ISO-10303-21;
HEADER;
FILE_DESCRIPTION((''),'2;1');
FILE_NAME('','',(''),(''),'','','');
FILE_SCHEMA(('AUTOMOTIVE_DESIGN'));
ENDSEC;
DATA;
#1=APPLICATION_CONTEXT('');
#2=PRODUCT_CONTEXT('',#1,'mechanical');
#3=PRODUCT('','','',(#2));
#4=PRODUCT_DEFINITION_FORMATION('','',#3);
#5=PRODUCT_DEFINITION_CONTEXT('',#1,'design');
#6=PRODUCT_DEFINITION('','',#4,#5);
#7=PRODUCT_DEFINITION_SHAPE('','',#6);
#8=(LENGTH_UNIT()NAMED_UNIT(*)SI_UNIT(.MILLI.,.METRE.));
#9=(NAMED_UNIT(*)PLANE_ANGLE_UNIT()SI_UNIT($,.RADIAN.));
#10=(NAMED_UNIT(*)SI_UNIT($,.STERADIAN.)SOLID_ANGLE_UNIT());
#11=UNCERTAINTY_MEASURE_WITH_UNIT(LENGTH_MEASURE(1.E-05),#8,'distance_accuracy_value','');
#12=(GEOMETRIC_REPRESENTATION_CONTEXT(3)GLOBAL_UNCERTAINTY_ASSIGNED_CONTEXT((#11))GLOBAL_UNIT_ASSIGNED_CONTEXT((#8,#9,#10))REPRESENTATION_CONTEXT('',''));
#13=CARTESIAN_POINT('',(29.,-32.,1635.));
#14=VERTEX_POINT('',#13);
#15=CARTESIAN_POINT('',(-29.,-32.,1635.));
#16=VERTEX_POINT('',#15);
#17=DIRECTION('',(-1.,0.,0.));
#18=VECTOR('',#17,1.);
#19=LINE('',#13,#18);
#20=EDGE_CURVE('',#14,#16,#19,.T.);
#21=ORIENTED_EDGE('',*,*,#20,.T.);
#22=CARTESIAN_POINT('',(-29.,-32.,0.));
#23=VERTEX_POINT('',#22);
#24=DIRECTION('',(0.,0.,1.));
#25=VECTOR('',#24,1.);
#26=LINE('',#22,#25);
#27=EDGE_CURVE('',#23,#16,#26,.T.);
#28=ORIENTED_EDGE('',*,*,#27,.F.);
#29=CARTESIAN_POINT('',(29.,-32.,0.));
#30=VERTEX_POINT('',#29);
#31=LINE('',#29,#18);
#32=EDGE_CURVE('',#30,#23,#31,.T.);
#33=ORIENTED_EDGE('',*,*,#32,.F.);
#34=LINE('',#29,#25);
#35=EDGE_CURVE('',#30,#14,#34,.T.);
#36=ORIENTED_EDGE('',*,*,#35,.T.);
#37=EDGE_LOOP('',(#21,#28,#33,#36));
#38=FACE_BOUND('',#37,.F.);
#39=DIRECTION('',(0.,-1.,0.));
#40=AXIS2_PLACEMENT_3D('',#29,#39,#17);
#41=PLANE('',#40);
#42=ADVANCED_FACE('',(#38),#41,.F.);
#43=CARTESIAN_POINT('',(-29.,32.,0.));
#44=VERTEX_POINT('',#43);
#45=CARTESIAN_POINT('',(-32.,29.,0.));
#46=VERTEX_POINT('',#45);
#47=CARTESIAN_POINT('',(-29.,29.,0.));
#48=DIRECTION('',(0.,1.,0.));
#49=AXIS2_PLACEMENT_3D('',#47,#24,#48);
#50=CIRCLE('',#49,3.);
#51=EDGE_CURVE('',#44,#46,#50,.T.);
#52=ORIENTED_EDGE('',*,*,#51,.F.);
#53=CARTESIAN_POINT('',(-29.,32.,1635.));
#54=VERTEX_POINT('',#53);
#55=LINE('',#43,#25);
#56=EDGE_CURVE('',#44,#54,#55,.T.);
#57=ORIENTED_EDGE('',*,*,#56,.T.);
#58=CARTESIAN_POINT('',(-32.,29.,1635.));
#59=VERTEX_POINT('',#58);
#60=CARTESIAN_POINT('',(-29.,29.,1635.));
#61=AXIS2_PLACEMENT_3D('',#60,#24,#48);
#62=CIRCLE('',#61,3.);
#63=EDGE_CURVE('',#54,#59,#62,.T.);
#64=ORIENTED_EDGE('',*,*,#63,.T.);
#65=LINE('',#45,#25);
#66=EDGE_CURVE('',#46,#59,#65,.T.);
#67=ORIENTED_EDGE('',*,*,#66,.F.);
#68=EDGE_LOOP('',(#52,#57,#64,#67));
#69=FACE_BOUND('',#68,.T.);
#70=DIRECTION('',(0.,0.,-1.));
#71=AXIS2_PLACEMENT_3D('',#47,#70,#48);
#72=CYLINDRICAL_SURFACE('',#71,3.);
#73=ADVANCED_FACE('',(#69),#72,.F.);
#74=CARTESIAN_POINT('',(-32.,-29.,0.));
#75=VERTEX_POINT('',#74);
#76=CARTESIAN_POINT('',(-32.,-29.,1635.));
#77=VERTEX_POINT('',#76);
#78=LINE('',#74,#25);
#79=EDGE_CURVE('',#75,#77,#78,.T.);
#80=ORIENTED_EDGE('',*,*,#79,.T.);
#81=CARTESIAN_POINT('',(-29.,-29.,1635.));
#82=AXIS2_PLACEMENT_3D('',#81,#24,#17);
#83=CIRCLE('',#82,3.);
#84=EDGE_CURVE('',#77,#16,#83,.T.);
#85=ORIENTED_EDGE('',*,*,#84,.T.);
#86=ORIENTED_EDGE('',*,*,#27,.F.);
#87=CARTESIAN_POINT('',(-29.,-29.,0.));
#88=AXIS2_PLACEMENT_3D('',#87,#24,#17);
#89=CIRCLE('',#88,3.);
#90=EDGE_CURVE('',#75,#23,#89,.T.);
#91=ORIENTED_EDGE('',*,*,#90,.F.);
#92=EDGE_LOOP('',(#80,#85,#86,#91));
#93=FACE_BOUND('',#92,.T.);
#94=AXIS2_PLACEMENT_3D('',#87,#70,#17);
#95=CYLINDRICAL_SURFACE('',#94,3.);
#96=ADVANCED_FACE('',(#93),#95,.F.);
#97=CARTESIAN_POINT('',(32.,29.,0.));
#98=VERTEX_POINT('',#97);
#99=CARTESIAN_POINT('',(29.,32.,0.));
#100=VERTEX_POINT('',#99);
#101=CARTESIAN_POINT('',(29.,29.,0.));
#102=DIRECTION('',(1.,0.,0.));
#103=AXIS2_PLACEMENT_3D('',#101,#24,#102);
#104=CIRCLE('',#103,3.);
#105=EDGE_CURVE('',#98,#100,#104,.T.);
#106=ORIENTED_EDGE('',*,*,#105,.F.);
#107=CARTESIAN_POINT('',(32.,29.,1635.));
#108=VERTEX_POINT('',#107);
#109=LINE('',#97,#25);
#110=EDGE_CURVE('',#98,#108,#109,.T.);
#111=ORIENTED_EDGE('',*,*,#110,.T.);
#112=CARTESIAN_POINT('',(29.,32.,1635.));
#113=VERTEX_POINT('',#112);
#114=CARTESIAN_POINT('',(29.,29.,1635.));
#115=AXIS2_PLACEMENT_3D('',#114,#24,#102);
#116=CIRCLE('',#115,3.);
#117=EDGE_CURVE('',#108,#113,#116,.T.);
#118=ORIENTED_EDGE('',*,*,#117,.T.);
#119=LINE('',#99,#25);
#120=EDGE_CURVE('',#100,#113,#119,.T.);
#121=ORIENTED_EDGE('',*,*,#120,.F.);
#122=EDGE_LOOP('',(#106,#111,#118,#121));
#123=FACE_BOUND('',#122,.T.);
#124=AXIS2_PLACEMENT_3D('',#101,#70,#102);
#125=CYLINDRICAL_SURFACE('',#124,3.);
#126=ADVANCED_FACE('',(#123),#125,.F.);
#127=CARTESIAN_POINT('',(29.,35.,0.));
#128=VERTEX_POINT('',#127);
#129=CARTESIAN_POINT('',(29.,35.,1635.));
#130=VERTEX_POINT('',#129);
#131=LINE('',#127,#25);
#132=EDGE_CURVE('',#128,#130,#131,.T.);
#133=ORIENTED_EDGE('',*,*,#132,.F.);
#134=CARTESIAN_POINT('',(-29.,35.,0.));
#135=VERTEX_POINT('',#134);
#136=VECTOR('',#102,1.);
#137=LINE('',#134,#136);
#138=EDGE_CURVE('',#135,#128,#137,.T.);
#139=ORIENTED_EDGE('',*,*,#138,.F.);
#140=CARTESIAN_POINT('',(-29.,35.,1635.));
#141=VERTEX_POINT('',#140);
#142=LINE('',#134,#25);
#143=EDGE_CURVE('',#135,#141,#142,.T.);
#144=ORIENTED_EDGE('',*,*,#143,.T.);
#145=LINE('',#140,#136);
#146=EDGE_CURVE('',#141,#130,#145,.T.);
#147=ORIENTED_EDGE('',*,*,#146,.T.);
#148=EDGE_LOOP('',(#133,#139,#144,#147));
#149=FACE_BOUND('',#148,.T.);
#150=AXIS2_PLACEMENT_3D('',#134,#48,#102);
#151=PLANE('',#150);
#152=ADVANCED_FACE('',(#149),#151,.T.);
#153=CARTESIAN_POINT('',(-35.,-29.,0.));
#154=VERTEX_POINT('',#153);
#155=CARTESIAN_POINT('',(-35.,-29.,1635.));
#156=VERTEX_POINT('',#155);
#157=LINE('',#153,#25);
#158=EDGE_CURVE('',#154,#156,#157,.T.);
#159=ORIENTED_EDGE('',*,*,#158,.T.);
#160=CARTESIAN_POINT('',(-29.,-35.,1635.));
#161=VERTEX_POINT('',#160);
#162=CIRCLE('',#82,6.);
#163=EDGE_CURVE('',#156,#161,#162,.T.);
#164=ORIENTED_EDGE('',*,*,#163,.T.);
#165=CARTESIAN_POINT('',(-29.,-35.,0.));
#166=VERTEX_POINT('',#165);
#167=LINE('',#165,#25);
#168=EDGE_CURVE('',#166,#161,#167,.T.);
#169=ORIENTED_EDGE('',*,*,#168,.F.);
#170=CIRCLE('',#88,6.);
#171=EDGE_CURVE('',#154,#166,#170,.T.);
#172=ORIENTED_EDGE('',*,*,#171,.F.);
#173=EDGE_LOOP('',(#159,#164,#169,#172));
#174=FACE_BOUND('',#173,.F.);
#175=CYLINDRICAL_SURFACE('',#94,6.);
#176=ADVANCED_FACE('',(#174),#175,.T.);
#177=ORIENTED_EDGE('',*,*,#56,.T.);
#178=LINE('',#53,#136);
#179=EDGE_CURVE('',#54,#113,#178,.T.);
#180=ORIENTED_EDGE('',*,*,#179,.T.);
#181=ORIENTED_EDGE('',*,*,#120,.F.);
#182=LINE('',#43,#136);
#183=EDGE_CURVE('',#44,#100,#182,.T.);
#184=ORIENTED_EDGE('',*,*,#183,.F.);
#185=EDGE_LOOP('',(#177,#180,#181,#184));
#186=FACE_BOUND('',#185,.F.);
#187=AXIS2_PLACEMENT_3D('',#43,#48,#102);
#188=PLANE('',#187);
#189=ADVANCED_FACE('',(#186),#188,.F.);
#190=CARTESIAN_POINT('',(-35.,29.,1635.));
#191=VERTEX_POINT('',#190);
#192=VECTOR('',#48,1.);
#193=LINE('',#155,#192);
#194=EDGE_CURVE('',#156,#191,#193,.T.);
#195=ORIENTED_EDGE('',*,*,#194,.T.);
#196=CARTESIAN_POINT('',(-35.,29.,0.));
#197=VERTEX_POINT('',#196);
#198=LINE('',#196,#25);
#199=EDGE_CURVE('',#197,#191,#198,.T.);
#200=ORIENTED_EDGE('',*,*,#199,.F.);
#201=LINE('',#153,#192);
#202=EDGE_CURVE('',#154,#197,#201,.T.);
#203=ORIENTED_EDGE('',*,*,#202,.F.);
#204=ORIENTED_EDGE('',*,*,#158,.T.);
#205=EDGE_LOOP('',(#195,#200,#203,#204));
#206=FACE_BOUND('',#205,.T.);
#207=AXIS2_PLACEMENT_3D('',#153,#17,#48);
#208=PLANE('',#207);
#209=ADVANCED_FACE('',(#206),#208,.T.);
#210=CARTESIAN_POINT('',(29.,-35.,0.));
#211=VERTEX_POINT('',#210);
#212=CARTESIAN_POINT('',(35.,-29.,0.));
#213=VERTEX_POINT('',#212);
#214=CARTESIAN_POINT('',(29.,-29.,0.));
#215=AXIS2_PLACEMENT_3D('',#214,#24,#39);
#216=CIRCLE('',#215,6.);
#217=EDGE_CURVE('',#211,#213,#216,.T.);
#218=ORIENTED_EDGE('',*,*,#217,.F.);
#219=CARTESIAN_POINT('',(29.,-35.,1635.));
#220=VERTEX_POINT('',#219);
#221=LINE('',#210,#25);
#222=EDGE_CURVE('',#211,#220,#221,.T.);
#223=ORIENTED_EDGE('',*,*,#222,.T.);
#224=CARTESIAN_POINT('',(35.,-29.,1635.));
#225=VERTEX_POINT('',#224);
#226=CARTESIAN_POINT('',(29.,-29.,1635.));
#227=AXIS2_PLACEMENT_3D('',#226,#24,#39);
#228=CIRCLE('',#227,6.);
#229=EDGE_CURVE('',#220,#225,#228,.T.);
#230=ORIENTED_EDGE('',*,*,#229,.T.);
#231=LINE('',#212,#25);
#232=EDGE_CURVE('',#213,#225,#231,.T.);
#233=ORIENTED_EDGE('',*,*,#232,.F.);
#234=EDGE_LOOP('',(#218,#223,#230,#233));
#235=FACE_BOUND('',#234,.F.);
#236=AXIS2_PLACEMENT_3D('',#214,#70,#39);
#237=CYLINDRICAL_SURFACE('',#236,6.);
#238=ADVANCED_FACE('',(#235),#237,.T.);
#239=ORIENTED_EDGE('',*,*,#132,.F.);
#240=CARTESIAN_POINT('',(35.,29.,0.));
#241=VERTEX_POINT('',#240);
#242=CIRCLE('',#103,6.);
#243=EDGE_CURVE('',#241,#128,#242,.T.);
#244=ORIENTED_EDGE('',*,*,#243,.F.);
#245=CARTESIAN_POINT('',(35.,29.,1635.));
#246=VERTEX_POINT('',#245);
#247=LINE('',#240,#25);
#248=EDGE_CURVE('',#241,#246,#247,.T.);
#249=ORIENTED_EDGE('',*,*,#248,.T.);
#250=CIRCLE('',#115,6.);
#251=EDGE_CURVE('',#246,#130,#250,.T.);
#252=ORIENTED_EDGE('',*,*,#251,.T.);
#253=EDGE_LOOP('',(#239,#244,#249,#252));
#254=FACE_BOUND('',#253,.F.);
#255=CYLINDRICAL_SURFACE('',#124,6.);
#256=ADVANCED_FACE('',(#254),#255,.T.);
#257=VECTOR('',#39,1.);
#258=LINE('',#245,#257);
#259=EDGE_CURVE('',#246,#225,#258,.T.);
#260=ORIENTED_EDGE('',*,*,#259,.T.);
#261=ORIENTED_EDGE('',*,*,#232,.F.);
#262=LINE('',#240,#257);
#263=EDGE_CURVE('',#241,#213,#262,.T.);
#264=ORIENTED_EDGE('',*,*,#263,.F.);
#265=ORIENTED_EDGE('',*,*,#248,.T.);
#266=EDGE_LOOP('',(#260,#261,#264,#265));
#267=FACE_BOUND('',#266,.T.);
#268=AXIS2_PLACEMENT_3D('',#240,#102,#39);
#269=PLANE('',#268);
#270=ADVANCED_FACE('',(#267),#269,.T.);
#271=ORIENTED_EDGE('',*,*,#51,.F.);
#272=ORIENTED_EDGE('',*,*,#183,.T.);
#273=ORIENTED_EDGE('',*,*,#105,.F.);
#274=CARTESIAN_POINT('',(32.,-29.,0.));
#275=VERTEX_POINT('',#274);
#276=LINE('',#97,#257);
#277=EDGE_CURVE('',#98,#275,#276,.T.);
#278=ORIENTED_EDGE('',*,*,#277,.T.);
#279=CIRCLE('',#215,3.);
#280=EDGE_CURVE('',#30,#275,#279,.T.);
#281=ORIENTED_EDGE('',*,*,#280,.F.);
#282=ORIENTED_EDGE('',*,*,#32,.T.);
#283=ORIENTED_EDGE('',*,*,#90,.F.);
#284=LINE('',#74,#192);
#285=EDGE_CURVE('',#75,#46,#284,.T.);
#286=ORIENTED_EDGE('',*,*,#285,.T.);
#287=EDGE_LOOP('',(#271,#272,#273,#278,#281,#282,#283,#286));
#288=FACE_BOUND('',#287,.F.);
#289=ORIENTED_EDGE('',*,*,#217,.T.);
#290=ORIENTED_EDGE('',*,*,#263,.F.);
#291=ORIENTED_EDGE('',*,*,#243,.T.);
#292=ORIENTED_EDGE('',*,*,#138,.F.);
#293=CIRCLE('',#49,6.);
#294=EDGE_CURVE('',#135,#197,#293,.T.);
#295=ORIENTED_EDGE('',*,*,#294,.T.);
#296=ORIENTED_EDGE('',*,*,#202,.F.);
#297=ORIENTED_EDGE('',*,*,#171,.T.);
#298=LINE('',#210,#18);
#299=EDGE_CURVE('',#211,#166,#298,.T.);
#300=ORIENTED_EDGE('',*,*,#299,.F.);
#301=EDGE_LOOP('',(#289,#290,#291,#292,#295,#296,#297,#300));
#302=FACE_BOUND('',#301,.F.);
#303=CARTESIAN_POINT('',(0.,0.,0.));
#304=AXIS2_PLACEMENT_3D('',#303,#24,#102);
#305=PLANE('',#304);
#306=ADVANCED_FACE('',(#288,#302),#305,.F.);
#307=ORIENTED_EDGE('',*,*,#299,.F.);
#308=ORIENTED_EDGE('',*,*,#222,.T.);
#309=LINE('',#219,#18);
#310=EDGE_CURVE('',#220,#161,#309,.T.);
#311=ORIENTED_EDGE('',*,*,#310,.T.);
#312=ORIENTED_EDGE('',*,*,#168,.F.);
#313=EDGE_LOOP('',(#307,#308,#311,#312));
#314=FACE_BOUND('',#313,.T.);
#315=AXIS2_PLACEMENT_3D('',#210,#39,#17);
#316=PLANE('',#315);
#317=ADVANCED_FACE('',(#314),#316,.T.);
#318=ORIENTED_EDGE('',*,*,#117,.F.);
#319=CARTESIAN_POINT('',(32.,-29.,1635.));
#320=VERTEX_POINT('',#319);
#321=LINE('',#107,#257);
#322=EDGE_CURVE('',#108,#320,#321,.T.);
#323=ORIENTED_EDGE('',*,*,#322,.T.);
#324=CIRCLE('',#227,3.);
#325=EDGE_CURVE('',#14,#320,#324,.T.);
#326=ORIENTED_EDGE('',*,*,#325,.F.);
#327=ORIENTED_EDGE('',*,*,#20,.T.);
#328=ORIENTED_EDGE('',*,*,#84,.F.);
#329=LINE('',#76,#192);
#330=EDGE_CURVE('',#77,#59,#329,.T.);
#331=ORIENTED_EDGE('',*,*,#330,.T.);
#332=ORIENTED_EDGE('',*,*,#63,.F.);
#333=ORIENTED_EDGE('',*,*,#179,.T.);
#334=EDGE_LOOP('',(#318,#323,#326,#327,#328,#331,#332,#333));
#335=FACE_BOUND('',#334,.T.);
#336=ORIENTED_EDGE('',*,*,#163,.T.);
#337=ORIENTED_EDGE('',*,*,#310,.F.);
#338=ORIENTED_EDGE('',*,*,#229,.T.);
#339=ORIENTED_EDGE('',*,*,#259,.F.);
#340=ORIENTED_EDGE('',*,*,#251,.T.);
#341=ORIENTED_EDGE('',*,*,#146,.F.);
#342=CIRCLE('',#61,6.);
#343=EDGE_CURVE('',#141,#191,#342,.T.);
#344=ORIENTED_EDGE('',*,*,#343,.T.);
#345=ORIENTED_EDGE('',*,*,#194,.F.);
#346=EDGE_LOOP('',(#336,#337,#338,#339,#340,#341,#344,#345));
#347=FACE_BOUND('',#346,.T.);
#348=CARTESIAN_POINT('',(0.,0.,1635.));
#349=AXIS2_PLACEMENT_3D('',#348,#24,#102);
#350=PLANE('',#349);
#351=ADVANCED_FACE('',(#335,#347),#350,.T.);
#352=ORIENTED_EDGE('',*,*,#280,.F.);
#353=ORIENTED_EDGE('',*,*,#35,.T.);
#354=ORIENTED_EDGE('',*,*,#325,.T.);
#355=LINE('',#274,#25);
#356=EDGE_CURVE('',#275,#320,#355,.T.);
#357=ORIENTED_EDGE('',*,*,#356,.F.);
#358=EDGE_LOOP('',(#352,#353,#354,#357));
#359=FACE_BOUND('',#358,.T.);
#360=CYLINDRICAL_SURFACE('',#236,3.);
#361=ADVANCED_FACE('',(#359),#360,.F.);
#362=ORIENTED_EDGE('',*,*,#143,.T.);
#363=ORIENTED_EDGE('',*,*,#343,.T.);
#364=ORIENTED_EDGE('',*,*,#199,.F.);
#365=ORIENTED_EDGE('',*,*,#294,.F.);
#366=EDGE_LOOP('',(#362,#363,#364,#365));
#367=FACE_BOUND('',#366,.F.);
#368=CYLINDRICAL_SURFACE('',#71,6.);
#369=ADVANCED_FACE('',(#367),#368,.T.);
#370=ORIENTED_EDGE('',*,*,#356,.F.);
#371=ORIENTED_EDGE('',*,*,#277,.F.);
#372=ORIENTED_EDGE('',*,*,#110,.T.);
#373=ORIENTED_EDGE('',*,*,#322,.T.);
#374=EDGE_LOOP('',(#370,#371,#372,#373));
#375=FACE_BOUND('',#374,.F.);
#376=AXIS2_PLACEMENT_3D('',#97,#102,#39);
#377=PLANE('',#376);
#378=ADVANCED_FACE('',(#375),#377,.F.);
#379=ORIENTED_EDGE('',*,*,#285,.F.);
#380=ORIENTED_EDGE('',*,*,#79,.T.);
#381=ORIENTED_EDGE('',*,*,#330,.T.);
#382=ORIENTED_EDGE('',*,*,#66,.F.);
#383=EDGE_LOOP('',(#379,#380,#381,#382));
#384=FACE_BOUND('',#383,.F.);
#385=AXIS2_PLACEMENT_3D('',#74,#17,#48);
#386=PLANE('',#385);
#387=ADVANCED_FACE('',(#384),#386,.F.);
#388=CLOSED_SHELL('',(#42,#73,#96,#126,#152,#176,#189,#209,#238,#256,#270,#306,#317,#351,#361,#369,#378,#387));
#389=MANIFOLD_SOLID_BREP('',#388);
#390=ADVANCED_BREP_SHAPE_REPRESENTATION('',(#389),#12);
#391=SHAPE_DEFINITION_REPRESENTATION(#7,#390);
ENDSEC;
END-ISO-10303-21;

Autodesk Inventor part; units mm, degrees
ref_plane "YZ Plane" through (0, 0, 0) normal (1, 0, 0) x (0, 1, 0)
ref_plane "Start Plane" through (0, 0, 0) normal (0, 0, 1) x (1, 0, 0)
ref_plane "End Plane" through (0, 0, 1635) normal (0, 0, 1) x (1, 0, 0)
sketch "Sketch" plane through (0, 0, 0) normal (0, 0, 1) x (1, 0, 0)
  line L0 (-35, -29) -> (-35, 29)
  line L1 (-29, 35) -> (29, 35)
  line L2 (35, 29) -> (35, -29)
  line L3 (29, -35) -> (-29, -35)
  arc A0 (-35, -29) -> (-29, -35) centre (-29, -29) ccw
  arc A1 (35, 29) -> (29, 35) centre (29, 29) ccw
  arc A2 (-29, 35) -> (-35, 29) centre (-29, 29) ccw
  arc A3 (29, -35) -> (35, -29) centre (29, -29) ccw
  arc A4 (-29, 32) -> (-32, 29) centre (-29, 29) ccw
  line L4 (-29, 32) -> (29, 32)
  arc A5 (32, 29) -> (29, 32) centre (29, 29) ccw
  line L5 (32, 29) -> (32, -29)
  arc A6 (29, -32) -> (32, -29) centre (29, -29) ccw
  line L6 (29, -32) -> (-29, -32)
  arc A7 (-32, -29) -> (-29, -32) centre (-29, -29) ccw
  line L7 (-32, -29) -> (-32, 29)
  line L8 (0, 50.7397) -> (0, -50.7397) construction
  line L9 (-50.7397, 0) -> (50.7397, 0) construction
  dimension "d7" = 6
  dimension "d9" = 70
  dimension "d11" = 70
  dimension "d12" = 3
  dimension "d15" = 35
  dimension "d16" = 35
extrude "Body" add sketch "Sketch" along normal up to surface (1635 mm away) from surface at 0
sketch "Sketch3" plane through (0, 0, 0) normal (0, 0, 1) x (1, 0, 0)
  line L0 (0, 0) -> (10, 0)
ref_plane "Work Plane3" through (0, 0, 0) normal (0, -1, 0) x (1, 0, 0)
sketch "Sketch4" plane through (0, 0, 0) normal (0, -1, 0) x (1, 0, 0)
  line L0 (-2, 0) -> (12, 0)
  line L1 (-2, 1635) -> (12, 1635)
  dimension "d18" = 1635
equation "\"d7\" = G_IR"
equation "\"d9\" = G_W"
equation "\"d11\" = G_H"
equation "\"d12\" = G_T"
equation "\"d15\" = 0.5 * d9"
equation "\"d16\" = 0.5 * d11"
equation "\"d3\" = G_L"
equation "\"G_W\" = 70"
equation "\"G_H\" = 70"
equation "\"G_T\" = 3"
equation "\"G_IR\" = 6"
equation "\"G_L\" = d18"
equation "\"G_OFFSET_START\" = 0"
equation "\"G_OFFSET_END\" = 0"
equation "\"d14\" = G_OFFSET_END + B_L"
equation "\"B_L\" = 1635"
properties part number "ISO 10799-2 - 70x70x3 - 1635" material "Steel, Mild"
